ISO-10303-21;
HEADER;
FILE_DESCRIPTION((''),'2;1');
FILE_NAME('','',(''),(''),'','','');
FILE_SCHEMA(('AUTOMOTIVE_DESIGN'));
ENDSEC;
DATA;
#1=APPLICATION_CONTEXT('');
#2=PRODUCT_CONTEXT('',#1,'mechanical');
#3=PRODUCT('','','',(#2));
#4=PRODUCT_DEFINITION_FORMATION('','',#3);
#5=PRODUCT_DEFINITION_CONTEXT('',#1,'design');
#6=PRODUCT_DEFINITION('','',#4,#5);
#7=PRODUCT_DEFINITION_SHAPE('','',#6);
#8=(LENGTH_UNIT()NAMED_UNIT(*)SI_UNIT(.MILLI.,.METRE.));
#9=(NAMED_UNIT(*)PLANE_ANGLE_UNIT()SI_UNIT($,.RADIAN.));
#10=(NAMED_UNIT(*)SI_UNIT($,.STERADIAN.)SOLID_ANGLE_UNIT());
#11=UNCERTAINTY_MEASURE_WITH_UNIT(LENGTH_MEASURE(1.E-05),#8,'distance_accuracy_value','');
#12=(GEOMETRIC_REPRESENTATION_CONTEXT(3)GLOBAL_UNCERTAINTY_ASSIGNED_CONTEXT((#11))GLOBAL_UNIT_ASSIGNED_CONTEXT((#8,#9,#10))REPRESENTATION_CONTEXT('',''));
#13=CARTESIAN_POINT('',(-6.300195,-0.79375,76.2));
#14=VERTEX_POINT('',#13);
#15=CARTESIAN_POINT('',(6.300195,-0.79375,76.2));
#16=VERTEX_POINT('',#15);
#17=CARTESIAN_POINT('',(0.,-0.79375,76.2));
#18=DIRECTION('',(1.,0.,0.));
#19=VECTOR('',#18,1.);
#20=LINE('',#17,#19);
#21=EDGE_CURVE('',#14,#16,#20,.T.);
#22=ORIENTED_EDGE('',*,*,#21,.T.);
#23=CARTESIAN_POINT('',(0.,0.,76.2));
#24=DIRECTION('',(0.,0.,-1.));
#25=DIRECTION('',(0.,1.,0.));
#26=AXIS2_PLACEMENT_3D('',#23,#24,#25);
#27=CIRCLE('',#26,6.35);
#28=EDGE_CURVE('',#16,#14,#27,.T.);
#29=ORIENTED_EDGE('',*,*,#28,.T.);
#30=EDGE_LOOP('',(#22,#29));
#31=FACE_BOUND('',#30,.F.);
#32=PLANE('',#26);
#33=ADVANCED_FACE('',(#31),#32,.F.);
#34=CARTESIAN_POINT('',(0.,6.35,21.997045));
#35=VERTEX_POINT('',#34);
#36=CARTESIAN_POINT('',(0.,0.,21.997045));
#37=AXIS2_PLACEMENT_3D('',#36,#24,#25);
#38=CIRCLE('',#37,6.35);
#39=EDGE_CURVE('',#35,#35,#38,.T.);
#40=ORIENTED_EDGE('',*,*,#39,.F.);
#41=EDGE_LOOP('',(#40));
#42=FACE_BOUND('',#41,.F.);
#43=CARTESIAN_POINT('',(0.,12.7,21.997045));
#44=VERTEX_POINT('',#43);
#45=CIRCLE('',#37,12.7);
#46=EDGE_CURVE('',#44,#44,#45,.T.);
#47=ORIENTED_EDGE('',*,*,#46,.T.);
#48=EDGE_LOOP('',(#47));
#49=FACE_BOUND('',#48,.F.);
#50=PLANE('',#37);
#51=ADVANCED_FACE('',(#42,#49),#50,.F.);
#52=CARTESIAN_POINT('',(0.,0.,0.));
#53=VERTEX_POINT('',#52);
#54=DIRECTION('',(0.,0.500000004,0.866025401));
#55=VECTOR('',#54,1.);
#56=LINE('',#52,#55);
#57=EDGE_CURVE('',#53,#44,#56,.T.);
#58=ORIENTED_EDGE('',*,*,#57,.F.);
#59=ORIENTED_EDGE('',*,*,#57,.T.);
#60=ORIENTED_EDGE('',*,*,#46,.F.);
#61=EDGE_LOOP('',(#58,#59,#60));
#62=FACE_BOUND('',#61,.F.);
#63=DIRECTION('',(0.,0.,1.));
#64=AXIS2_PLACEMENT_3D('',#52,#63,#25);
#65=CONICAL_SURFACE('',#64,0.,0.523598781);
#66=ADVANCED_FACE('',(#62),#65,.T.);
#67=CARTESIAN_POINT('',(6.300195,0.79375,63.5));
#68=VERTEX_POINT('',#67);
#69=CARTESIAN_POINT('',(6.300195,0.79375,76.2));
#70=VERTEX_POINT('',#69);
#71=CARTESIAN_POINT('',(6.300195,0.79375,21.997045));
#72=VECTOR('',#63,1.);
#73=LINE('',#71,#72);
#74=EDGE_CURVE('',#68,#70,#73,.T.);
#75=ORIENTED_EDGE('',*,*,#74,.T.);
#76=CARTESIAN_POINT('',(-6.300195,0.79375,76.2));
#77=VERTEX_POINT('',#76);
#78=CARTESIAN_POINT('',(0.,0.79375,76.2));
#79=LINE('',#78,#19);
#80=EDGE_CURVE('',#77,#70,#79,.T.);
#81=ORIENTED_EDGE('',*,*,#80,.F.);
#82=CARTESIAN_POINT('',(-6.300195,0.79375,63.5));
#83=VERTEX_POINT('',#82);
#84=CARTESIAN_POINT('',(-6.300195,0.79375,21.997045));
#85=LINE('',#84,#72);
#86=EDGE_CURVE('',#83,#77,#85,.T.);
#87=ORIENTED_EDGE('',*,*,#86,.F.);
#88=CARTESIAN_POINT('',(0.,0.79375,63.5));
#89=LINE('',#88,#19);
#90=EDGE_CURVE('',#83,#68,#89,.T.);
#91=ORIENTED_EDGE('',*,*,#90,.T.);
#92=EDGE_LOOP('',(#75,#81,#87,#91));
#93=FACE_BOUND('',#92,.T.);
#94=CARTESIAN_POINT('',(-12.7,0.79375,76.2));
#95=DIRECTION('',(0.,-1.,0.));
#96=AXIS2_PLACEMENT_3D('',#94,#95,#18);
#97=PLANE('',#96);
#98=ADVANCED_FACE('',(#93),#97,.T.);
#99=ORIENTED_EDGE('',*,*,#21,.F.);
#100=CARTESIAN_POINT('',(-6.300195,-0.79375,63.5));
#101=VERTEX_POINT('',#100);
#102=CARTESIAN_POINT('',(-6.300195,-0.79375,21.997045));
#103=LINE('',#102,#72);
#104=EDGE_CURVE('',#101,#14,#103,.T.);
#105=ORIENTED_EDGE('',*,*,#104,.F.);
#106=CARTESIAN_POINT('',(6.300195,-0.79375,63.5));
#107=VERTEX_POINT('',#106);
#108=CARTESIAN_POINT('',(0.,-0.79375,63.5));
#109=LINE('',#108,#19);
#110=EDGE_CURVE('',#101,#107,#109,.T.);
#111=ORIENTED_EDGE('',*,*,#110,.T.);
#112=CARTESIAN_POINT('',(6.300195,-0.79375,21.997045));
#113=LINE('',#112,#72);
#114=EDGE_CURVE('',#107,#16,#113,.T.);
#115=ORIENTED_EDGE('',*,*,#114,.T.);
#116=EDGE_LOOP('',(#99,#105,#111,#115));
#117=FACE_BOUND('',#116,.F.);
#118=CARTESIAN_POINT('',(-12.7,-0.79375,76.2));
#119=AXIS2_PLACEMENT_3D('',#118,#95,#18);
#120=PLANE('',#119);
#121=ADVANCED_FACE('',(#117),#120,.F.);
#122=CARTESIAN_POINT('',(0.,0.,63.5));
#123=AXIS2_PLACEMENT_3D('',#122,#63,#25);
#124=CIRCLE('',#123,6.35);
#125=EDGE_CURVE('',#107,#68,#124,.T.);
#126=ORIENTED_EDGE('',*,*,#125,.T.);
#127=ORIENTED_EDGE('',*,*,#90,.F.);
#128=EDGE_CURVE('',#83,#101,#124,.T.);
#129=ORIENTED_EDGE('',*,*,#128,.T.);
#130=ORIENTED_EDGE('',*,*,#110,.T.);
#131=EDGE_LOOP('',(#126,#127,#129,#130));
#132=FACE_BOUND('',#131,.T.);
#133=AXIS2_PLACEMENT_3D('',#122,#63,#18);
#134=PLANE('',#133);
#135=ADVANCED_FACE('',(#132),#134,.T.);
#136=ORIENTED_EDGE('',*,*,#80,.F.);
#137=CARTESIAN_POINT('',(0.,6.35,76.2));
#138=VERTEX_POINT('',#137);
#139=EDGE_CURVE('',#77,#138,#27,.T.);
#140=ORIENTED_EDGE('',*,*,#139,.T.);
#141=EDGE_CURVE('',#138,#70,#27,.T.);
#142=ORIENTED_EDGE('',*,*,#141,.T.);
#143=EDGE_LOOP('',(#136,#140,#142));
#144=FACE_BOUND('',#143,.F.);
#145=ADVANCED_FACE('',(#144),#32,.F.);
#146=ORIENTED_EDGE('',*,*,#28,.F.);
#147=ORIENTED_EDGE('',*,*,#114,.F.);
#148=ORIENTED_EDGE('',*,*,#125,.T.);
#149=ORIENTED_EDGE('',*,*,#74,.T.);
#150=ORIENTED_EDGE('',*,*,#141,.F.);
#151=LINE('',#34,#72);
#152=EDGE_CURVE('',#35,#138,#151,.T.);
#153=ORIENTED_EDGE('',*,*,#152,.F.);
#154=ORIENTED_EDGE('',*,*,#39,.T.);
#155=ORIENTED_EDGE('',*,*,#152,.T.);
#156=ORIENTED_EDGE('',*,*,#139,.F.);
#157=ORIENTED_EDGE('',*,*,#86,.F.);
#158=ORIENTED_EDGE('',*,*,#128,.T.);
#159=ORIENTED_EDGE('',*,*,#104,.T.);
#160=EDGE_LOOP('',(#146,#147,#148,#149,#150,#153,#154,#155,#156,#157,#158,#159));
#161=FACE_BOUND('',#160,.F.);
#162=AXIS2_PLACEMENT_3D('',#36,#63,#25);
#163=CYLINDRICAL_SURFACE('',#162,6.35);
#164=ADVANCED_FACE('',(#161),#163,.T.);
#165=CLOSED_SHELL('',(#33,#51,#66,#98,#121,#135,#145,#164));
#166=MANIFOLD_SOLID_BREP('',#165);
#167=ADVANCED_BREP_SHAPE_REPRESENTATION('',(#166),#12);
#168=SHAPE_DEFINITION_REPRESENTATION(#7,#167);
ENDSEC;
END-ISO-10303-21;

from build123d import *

# Parameters (mm, degrees)
F2_W     = 25.4
F2_H     = 1.5875
F3_DEPTH = 12.7


with BuildPart() as f1:
    # F0 (on Right) → F1 (revolve)
    with BuildSketch(Plane.YZ):
        Polygon((6.35, 76.2), (0, 76.2), (0, 0), (12.7, 21.997045), (6.35, 21.997045), align=None)
    revolve(axis=Axis((0, 0, 38.1), (0, 0, -1)))

    # F2 (on face) → F3 (cut)
    with BuildSketch(Plane.XY.offset(76.2)):
        Rectangle(F2_W, F2_H)
    extrude(amount=-F3_DEPTH, mode=Mode.SUBTRACT)


solid = f1.part
